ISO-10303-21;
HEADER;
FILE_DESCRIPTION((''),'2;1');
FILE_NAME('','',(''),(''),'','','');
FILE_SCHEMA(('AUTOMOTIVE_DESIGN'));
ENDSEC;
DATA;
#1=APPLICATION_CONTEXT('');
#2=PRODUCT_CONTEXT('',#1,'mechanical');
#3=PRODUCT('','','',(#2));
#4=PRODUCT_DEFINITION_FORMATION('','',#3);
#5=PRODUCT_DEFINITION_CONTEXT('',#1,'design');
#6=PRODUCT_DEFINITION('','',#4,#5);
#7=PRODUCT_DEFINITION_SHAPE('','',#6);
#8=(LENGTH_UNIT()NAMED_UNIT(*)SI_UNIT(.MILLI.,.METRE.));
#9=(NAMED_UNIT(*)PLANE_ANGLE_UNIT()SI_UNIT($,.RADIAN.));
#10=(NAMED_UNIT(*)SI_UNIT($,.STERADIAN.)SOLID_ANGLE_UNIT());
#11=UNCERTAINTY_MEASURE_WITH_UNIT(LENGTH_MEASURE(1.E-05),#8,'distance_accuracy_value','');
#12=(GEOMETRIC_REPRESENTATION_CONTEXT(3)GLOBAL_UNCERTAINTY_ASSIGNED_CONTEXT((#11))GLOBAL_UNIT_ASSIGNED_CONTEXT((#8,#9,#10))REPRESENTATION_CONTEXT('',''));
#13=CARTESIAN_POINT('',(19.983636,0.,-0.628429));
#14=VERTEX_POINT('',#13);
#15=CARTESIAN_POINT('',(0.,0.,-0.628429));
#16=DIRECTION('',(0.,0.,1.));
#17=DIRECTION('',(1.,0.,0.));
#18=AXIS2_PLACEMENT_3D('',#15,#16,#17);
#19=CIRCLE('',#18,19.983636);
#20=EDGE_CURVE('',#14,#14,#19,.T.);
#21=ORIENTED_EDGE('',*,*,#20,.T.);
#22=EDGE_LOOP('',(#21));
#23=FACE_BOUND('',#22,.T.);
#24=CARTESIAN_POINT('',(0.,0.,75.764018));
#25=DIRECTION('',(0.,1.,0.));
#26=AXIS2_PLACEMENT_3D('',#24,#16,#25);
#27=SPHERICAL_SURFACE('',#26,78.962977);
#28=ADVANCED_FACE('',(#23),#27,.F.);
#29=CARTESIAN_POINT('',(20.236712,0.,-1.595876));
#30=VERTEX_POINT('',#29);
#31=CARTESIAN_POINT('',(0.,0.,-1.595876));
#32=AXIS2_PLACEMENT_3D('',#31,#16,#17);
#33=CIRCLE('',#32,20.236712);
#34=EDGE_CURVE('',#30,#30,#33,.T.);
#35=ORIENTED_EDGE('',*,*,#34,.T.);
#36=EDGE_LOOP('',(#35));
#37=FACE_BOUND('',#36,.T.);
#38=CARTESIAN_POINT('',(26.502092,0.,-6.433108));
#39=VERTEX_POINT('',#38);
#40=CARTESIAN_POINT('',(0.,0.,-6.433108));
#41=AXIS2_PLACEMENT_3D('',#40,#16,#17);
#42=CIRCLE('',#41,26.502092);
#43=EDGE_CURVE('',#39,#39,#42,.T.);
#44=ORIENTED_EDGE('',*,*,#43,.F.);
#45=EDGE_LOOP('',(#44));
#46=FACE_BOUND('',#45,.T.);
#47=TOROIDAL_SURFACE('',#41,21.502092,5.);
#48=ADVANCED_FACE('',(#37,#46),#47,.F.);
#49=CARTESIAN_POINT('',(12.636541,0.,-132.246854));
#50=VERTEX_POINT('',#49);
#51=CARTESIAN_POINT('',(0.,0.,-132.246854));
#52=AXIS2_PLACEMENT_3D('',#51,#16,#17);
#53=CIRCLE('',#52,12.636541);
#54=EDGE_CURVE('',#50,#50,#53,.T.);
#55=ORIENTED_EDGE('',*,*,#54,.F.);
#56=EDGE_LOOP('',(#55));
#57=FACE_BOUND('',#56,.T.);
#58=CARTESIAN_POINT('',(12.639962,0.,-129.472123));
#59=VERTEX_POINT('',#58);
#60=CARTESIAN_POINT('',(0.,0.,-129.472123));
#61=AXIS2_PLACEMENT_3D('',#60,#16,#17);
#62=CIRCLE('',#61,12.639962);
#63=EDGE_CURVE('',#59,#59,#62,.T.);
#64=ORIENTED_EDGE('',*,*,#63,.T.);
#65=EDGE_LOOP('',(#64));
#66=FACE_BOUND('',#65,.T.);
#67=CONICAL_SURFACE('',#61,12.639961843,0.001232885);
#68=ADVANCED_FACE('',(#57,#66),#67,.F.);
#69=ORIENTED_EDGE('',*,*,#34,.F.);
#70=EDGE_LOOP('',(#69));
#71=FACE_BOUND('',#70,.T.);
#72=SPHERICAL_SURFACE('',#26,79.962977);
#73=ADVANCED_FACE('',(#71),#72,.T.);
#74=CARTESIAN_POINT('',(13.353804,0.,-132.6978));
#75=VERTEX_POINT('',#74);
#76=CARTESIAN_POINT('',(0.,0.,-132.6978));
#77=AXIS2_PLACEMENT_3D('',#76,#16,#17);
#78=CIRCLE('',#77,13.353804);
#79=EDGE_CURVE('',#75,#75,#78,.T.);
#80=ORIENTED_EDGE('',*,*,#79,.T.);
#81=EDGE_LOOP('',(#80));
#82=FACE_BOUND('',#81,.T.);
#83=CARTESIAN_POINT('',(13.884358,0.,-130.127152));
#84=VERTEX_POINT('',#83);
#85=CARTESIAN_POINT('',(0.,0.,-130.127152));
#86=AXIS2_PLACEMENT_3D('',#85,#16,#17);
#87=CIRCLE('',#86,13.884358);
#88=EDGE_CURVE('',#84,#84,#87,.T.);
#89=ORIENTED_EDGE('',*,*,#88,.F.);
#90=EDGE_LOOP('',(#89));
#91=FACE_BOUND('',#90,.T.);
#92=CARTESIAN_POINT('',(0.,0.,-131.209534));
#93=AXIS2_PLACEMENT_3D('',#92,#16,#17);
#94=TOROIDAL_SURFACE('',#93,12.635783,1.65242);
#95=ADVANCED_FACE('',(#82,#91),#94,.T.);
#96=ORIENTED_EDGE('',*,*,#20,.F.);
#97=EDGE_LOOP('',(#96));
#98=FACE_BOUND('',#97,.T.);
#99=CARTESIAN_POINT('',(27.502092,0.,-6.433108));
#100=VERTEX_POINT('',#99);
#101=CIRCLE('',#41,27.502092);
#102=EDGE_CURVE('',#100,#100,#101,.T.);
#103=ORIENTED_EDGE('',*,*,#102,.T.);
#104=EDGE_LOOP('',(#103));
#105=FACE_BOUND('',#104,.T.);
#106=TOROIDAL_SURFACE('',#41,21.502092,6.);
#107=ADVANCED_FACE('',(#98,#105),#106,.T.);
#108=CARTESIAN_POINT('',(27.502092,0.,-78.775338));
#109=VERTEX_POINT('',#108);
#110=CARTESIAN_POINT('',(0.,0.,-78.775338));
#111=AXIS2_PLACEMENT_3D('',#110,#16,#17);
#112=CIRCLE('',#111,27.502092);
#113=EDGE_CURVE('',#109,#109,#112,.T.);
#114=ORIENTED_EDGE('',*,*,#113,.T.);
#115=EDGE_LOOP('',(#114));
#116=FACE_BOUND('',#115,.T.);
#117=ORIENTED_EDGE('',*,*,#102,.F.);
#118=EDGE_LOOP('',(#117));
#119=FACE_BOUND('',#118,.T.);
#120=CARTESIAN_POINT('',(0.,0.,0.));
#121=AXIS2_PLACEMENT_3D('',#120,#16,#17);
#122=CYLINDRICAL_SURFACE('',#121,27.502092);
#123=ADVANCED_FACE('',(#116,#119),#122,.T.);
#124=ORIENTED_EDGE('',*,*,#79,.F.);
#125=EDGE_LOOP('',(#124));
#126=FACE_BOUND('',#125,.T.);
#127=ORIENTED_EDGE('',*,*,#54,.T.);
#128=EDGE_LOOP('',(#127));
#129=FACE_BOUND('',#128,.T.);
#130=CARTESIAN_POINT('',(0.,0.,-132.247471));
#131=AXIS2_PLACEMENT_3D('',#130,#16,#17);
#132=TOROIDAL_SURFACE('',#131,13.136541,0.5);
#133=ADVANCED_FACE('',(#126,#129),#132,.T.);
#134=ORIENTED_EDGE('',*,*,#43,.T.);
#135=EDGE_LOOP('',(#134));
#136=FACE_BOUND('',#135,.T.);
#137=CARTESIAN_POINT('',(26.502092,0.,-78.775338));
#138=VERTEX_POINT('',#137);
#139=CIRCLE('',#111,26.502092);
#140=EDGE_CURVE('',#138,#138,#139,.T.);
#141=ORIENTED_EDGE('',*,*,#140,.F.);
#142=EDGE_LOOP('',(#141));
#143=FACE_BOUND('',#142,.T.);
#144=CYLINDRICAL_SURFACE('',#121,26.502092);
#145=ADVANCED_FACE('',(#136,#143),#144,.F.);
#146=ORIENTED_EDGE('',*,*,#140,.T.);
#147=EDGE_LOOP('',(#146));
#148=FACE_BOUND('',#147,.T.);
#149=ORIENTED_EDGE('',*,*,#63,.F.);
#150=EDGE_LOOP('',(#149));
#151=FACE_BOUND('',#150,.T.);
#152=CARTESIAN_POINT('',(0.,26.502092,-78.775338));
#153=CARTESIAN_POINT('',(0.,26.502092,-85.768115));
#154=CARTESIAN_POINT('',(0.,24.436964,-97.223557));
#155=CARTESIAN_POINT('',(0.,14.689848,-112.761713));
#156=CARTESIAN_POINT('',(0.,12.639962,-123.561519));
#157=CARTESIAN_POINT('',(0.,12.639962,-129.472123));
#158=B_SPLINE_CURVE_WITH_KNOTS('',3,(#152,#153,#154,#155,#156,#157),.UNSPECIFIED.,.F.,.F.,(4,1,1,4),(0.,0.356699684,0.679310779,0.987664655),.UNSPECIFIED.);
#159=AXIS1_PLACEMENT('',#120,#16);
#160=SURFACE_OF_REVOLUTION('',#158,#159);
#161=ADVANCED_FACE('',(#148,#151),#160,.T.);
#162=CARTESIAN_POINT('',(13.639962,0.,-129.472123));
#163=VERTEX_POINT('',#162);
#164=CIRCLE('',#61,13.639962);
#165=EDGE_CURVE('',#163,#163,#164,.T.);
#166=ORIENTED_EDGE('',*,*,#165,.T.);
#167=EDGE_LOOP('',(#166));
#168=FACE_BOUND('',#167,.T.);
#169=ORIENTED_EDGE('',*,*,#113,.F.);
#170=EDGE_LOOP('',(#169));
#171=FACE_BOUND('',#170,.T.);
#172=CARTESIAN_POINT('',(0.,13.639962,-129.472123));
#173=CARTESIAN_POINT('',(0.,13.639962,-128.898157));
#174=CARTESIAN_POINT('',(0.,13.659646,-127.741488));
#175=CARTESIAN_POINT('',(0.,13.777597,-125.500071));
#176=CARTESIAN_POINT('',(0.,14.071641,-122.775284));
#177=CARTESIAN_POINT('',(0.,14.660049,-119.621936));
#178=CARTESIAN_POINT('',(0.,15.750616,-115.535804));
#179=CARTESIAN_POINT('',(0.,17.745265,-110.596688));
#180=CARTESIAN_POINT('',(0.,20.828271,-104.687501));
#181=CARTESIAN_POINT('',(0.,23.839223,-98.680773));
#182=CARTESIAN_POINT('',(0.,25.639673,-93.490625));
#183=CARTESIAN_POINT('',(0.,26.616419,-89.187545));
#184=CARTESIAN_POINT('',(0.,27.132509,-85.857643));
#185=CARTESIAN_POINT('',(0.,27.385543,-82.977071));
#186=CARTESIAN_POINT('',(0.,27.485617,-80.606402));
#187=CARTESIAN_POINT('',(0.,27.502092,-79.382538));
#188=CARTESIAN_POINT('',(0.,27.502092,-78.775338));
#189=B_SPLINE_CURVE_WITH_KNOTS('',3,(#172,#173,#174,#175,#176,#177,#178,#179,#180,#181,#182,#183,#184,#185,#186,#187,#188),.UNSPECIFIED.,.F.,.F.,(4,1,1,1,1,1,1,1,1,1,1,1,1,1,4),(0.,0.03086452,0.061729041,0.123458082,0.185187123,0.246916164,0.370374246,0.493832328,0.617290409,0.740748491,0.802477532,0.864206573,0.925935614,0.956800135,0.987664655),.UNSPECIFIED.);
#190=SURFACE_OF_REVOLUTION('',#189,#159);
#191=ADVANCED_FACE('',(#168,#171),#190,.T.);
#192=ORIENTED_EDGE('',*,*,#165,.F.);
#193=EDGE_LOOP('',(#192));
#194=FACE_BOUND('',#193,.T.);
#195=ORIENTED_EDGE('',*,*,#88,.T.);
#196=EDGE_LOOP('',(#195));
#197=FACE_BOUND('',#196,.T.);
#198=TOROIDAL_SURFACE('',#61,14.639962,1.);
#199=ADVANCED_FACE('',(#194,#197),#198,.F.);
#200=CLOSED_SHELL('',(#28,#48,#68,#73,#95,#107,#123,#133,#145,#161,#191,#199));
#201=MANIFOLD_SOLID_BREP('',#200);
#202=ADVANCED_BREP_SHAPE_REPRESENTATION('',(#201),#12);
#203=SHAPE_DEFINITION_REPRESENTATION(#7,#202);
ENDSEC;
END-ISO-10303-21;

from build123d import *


with BuildPart() as part:
    # Skizze1 → Rotation1 (revolve)
    with BuildSketch(Plane(origin=(0, 0, 0), x_dir=(0, 0, -1), z_dir=(1, 0, 0)), mode=Mode.PRIVATE) as rotation1_sk:
        with BuildLine():
            Line((6.43310772, 26.502092491), (78.775337829, 26.502092491))
            add(Edge.make_bspline(
                [(78.775337829, 26.502092491), (85.768114648, 26.502092491), (97.22355657, 24.436963779), (112.76171299, 14.68984773), (123.561518894, 12.639961843), (129.472123395, 12.639961843)],
                knots=[0, 0, 0, 0, 0.356699684, 0.679310779, 0.987664655, 0.987664655, 0.987664655, 0.987664655], degree=3))
            Line((129.472123395, 12.639961843), (132.246854305, 12.636540919))
            ThreePointArc((132.246854305, 12.636540919), (132.670763891, 12.87041479), (132.697800048, 13.353804252))
            ThreePointArc((132.697800048, 13.353804252), (131.543535807, 14.254094557), (130.127151947, 13.884357717))
            ThreePointArc((130.127151947, 13.884357717), (129.82169161, 13.703050928), (129.472123395, 13.639961843))
            add(Edge.make_bspline(
                [(78.775337829, 27.502092491), (79.382538376, 27.502092491), (80.606402074, 27.485616936), (82.977070827, 27.385543253), (85.857643305, 27.132509268), (89.187544589, 26.61641907), (93.490625176, 25.639672892), (98.680772531, 23.83922281), (104.687501054, 20.828271238), (110.596687704, 17.745265037), (115.535803916, 15.750615975), (119.621935707, 14.660048856), (122.775284135, 14.071640762), (125.500071284, 13.777596815), (127.741487977, 13.659645547), (128.898157401, 13.639961843), (129.472123395, 13.639961843)],
                knots=[0, 0, 0, 0, 0.03086452, 0.061729041, 0.123458082, 0.185187123, 0.246916164, 0.370374246, 0.493832328, 0.617290409, 0.740748491, 0.802477532, 0.864206573, 0.925935614, 0.956800135, 0.987664655, 0.987664655, 0.987664655, 0.987664655], degree=3))
            Line((78.775337829, 27.502092491), (6.43310772, 27.502092491))
            ThreePointArc((6.43310772, 27.502092491), (1.683858471, 25.168784674), (0.628429354, 19.983636346))
            ThreePointArc((0.628429354, 19.983636346), (2.553690069, 10.07414195), (3.198958976, 0))
            Line((3.198958976, 0), (4.198958976, 0))
            ThreePointArc((4.198958976, 0), (3.545518279, 10.201722524), (1.595875749, 20.23671237))
            ThreePointArc((1.595875749, 20.23671237), (2.475400012, 24.55766931), (6.43310772, 26.502092491))
        make_face()
    revolve(rotation1_sk.sketch.rotate(Axis((0, 0, 0), (0, 0, -1)), 90), axis=Axis((0, 0, 0), (0, 0, -1)))  # turned: the seam where the file's is


solid = part.part
